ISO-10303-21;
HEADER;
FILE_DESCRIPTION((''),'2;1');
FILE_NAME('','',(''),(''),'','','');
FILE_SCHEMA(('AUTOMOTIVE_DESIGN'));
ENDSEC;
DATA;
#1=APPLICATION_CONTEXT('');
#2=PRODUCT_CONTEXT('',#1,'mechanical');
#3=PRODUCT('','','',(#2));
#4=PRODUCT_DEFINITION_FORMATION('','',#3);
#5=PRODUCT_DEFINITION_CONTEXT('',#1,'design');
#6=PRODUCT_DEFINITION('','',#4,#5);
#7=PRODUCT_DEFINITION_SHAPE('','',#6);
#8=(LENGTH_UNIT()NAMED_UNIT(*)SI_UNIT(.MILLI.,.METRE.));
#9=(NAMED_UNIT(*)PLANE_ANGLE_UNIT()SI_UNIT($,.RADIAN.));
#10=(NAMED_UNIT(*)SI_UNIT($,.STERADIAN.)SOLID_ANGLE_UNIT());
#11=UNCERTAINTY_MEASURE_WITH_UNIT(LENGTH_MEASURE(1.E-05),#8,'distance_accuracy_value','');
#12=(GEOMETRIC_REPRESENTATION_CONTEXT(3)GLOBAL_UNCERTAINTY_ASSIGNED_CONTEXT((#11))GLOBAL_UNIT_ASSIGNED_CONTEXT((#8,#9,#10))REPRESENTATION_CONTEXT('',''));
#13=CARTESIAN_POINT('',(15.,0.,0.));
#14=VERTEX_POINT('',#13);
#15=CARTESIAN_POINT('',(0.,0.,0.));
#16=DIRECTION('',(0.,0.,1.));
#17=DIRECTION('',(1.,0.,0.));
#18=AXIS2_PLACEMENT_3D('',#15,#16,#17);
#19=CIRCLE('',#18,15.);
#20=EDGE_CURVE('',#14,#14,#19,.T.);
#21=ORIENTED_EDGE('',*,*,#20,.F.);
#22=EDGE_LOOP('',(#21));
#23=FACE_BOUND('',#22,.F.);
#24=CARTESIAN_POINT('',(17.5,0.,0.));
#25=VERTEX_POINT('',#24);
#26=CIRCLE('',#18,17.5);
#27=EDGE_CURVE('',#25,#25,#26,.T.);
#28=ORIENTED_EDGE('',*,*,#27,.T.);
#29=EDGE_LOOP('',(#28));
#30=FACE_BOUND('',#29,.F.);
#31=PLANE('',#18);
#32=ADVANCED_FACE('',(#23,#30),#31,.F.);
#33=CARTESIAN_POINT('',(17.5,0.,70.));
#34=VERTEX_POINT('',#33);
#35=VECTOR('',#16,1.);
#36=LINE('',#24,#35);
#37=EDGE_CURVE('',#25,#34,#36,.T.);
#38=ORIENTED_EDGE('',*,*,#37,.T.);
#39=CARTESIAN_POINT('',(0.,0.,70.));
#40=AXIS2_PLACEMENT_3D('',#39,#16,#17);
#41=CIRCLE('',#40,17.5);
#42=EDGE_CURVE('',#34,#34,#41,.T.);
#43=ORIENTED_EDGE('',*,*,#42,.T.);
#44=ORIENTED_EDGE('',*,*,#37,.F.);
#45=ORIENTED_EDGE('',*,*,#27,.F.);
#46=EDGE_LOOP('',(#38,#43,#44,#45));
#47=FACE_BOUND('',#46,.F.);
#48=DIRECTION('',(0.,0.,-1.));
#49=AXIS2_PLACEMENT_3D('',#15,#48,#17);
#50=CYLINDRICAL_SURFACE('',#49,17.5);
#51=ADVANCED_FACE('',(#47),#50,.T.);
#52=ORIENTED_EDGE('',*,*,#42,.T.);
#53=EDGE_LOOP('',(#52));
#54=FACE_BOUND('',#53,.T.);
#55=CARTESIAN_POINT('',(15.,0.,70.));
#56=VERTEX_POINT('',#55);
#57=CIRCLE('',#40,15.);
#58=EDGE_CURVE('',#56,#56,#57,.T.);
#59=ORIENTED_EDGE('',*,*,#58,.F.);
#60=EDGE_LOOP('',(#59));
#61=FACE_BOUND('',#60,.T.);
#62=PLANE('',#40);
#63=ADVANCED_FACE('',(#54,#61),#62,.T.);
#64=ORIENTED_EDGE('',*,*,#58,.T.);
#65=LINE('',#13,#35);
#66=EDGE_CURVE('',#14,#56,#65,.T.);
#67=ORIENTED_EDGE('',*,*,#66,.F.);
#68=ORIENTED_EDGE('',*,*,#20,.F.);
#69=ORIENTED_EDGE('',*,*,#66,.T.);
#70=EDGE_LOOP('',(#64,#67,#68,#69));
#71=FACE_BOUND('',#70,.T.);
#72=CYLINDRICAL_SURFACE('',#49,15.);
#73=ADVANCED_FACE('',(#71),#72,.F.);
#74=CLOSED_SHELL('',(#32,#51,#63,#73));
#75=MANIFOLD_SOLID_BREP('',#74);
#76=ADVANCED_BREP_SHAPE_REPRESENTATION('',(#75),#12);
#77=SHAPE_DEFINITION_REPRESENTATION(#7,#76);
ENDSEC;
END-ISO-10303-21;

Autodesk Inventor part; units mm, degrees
ref_plane "YZ Plane" through (0, 0, 0) normal (1, 0, 0) x (0, 1, 0)
ref_plane "XZ Plane" through (0, 0, 0) normal (0, 1, 0) x (-1, 0, 0)
ref_plane "XY Plane" through (0, 0, 0) normal (0, 0, 1) x (1, 0, 0)
sketch "Sketch1" plane through (0, 0, 0) normal (0, 0, 1) x (1, 0, 0)
  circle A0 centre (0, 0) radius 17.5
  circle A1 centre (0, 0) radius 15
extrude "Extrusion1" add sketch "Sketch1" along normal blind 70 contours A0 | A1
sketch "Sketch2" plane through (0, 0, 0) normal (0, 0, 1) x (1, 0, 0)
  circle A0 centre (0, 0) radius 15
extrude "Extrusion2" cut sketch "Sketch2" along normal blind 70
thread "Thread1" size "M35x1.5" class "6g" standard "ANSI Metric M Profile" full length
properties part number "macro-hueco-thread"
